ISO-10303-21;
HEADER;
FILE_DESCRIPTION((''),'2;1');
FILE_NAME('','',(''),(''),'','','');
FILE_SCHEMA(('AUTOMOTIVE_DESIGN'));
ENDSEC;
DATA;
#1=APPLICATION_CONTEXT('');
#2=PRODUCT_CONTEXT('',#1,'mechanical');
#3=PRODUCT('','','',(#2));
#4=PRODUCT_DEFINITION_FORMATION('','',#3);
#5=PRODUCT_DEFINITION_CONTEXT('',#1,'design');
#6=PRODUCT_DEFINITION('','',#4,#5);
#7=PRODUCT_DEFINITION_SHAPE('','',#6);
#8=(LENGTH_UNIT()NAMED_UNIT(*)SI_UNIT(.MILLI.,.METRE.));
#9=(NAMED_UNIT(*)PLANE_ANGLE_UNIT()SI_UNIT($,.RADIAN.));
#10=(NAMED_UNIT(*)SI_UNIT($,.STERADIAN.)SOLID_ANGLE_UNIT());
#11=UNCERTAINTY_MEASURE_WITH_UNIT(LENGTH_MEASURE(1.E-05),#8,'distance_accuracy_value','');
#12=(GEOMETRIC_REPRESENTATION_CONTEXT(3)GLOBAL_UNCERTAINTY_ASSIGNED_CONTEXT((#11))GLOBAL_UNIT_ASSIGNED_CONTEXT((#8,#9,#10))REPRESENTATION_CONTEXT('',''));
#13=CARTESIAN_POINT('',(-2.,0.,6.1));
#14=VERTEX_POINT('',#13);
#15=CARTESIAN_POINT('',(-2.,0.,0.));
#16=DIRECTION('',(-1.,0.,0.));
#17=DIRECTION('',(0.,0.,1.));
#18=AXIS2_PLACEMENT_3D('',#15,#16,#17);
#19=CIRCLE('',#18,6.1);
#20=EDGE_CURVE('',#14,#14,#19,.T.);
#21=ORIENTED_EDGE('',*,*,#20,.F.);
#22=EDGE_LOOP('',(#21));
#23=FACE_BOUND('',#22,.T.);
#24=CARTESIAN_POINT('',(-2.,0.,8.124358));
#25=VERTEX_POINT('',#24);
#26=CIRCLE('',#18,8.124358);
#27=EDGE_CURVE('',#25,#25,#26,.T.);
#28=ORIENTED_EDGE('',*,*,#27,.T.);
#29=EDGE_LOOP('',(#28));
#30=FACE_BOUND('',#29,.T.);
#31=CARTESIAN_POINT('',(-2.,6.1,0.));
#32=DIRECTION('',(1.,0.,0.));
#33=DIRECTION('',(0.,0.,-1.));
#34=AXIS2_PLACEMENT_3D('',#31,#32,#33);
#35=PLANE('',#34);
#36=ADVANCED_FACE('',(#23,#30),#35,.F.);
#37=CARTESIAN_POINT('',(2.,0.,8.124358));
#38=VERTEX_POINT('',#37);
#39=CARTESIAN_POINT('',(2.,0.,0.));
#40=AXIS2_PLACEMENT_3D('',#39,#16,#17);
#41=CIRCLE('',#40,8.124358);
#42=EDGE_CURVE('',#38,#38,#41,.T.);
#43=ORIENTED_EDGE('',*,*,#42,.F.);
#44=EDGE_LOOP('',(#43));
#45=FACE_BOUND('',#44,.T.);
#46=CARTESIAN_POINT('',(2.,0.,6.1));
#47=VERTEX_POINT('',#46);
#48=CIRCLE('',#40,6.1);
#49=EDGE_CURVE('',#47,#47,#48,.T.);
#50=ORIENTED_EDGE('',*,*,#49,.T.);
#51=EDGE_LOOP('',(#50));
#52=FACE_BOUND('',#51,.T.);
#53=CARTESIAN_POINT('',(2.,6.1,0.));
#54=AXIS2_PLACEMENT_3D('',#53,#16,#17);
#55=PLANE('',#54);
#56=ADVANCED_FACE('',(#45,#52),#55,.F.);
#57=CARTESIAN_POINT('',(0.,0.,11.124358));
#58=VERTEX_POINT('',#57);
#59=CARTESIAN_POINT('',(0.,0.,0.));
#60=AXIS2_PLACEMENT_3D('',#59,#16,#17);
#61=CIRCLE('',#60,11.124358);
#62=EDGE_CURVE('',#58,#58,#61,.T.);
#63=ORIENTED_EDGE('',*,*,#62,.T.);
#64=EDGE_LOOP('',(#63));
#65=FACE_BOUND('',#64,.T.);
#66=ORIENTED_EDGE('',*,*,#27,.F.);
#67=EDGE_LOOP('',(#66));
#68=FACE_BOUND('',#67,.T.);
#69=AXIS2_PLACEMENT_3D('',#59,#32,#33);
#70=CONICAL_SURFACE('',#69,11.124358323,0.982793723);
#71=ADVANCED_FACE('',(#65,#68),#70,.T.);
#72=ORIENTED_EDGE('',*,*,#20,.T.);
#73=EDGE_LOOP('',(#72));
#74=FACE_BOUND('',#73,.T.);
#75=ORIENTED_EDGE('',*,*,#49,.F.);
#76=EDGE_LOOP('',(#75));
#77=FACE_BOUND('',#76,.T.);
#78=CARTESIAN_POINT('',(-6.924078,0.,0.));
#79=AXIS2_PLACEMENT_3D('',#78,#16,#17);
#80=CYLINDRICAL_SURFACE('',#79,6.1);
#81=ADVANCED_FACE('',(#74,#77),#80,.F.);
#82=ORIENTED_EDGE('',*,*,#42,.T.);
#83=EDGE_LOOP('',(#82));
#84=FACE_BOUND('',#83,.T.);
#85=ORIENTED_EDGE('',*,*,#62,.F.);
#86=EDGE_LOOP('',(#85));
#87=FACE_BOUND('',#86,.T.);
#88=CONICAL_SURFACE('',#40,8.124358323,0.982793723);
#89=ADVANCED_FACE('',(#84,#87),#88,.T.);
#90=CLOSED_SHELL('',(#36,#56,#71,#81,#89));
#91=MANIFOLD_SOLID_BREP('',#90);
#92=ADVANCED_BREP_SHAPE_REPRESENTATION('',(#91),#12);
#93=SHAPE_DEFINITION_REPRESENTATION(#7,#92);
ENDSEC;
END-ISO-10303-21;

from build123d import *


with BuildPart() as part:
    # Sketch5 → Revolve4 (revolve)
    with BuildSketch(Plane.XY, mode=Mode.PRIVATE) as revolve4_sk:
        Polygon((-2, 6.1), (2, 6.1), (2, 8.124358323), (0, 11.124358323), (-2, 8.124358323), align=None)
    revolve(revolve4_sk.sketch.rotate(Axis((-6.924078091, 0, 0), (1, 0, 0)), 90), axis=Axis((-6.924078091, 0, 0), (1, 0, 0)))


solid = part.part
